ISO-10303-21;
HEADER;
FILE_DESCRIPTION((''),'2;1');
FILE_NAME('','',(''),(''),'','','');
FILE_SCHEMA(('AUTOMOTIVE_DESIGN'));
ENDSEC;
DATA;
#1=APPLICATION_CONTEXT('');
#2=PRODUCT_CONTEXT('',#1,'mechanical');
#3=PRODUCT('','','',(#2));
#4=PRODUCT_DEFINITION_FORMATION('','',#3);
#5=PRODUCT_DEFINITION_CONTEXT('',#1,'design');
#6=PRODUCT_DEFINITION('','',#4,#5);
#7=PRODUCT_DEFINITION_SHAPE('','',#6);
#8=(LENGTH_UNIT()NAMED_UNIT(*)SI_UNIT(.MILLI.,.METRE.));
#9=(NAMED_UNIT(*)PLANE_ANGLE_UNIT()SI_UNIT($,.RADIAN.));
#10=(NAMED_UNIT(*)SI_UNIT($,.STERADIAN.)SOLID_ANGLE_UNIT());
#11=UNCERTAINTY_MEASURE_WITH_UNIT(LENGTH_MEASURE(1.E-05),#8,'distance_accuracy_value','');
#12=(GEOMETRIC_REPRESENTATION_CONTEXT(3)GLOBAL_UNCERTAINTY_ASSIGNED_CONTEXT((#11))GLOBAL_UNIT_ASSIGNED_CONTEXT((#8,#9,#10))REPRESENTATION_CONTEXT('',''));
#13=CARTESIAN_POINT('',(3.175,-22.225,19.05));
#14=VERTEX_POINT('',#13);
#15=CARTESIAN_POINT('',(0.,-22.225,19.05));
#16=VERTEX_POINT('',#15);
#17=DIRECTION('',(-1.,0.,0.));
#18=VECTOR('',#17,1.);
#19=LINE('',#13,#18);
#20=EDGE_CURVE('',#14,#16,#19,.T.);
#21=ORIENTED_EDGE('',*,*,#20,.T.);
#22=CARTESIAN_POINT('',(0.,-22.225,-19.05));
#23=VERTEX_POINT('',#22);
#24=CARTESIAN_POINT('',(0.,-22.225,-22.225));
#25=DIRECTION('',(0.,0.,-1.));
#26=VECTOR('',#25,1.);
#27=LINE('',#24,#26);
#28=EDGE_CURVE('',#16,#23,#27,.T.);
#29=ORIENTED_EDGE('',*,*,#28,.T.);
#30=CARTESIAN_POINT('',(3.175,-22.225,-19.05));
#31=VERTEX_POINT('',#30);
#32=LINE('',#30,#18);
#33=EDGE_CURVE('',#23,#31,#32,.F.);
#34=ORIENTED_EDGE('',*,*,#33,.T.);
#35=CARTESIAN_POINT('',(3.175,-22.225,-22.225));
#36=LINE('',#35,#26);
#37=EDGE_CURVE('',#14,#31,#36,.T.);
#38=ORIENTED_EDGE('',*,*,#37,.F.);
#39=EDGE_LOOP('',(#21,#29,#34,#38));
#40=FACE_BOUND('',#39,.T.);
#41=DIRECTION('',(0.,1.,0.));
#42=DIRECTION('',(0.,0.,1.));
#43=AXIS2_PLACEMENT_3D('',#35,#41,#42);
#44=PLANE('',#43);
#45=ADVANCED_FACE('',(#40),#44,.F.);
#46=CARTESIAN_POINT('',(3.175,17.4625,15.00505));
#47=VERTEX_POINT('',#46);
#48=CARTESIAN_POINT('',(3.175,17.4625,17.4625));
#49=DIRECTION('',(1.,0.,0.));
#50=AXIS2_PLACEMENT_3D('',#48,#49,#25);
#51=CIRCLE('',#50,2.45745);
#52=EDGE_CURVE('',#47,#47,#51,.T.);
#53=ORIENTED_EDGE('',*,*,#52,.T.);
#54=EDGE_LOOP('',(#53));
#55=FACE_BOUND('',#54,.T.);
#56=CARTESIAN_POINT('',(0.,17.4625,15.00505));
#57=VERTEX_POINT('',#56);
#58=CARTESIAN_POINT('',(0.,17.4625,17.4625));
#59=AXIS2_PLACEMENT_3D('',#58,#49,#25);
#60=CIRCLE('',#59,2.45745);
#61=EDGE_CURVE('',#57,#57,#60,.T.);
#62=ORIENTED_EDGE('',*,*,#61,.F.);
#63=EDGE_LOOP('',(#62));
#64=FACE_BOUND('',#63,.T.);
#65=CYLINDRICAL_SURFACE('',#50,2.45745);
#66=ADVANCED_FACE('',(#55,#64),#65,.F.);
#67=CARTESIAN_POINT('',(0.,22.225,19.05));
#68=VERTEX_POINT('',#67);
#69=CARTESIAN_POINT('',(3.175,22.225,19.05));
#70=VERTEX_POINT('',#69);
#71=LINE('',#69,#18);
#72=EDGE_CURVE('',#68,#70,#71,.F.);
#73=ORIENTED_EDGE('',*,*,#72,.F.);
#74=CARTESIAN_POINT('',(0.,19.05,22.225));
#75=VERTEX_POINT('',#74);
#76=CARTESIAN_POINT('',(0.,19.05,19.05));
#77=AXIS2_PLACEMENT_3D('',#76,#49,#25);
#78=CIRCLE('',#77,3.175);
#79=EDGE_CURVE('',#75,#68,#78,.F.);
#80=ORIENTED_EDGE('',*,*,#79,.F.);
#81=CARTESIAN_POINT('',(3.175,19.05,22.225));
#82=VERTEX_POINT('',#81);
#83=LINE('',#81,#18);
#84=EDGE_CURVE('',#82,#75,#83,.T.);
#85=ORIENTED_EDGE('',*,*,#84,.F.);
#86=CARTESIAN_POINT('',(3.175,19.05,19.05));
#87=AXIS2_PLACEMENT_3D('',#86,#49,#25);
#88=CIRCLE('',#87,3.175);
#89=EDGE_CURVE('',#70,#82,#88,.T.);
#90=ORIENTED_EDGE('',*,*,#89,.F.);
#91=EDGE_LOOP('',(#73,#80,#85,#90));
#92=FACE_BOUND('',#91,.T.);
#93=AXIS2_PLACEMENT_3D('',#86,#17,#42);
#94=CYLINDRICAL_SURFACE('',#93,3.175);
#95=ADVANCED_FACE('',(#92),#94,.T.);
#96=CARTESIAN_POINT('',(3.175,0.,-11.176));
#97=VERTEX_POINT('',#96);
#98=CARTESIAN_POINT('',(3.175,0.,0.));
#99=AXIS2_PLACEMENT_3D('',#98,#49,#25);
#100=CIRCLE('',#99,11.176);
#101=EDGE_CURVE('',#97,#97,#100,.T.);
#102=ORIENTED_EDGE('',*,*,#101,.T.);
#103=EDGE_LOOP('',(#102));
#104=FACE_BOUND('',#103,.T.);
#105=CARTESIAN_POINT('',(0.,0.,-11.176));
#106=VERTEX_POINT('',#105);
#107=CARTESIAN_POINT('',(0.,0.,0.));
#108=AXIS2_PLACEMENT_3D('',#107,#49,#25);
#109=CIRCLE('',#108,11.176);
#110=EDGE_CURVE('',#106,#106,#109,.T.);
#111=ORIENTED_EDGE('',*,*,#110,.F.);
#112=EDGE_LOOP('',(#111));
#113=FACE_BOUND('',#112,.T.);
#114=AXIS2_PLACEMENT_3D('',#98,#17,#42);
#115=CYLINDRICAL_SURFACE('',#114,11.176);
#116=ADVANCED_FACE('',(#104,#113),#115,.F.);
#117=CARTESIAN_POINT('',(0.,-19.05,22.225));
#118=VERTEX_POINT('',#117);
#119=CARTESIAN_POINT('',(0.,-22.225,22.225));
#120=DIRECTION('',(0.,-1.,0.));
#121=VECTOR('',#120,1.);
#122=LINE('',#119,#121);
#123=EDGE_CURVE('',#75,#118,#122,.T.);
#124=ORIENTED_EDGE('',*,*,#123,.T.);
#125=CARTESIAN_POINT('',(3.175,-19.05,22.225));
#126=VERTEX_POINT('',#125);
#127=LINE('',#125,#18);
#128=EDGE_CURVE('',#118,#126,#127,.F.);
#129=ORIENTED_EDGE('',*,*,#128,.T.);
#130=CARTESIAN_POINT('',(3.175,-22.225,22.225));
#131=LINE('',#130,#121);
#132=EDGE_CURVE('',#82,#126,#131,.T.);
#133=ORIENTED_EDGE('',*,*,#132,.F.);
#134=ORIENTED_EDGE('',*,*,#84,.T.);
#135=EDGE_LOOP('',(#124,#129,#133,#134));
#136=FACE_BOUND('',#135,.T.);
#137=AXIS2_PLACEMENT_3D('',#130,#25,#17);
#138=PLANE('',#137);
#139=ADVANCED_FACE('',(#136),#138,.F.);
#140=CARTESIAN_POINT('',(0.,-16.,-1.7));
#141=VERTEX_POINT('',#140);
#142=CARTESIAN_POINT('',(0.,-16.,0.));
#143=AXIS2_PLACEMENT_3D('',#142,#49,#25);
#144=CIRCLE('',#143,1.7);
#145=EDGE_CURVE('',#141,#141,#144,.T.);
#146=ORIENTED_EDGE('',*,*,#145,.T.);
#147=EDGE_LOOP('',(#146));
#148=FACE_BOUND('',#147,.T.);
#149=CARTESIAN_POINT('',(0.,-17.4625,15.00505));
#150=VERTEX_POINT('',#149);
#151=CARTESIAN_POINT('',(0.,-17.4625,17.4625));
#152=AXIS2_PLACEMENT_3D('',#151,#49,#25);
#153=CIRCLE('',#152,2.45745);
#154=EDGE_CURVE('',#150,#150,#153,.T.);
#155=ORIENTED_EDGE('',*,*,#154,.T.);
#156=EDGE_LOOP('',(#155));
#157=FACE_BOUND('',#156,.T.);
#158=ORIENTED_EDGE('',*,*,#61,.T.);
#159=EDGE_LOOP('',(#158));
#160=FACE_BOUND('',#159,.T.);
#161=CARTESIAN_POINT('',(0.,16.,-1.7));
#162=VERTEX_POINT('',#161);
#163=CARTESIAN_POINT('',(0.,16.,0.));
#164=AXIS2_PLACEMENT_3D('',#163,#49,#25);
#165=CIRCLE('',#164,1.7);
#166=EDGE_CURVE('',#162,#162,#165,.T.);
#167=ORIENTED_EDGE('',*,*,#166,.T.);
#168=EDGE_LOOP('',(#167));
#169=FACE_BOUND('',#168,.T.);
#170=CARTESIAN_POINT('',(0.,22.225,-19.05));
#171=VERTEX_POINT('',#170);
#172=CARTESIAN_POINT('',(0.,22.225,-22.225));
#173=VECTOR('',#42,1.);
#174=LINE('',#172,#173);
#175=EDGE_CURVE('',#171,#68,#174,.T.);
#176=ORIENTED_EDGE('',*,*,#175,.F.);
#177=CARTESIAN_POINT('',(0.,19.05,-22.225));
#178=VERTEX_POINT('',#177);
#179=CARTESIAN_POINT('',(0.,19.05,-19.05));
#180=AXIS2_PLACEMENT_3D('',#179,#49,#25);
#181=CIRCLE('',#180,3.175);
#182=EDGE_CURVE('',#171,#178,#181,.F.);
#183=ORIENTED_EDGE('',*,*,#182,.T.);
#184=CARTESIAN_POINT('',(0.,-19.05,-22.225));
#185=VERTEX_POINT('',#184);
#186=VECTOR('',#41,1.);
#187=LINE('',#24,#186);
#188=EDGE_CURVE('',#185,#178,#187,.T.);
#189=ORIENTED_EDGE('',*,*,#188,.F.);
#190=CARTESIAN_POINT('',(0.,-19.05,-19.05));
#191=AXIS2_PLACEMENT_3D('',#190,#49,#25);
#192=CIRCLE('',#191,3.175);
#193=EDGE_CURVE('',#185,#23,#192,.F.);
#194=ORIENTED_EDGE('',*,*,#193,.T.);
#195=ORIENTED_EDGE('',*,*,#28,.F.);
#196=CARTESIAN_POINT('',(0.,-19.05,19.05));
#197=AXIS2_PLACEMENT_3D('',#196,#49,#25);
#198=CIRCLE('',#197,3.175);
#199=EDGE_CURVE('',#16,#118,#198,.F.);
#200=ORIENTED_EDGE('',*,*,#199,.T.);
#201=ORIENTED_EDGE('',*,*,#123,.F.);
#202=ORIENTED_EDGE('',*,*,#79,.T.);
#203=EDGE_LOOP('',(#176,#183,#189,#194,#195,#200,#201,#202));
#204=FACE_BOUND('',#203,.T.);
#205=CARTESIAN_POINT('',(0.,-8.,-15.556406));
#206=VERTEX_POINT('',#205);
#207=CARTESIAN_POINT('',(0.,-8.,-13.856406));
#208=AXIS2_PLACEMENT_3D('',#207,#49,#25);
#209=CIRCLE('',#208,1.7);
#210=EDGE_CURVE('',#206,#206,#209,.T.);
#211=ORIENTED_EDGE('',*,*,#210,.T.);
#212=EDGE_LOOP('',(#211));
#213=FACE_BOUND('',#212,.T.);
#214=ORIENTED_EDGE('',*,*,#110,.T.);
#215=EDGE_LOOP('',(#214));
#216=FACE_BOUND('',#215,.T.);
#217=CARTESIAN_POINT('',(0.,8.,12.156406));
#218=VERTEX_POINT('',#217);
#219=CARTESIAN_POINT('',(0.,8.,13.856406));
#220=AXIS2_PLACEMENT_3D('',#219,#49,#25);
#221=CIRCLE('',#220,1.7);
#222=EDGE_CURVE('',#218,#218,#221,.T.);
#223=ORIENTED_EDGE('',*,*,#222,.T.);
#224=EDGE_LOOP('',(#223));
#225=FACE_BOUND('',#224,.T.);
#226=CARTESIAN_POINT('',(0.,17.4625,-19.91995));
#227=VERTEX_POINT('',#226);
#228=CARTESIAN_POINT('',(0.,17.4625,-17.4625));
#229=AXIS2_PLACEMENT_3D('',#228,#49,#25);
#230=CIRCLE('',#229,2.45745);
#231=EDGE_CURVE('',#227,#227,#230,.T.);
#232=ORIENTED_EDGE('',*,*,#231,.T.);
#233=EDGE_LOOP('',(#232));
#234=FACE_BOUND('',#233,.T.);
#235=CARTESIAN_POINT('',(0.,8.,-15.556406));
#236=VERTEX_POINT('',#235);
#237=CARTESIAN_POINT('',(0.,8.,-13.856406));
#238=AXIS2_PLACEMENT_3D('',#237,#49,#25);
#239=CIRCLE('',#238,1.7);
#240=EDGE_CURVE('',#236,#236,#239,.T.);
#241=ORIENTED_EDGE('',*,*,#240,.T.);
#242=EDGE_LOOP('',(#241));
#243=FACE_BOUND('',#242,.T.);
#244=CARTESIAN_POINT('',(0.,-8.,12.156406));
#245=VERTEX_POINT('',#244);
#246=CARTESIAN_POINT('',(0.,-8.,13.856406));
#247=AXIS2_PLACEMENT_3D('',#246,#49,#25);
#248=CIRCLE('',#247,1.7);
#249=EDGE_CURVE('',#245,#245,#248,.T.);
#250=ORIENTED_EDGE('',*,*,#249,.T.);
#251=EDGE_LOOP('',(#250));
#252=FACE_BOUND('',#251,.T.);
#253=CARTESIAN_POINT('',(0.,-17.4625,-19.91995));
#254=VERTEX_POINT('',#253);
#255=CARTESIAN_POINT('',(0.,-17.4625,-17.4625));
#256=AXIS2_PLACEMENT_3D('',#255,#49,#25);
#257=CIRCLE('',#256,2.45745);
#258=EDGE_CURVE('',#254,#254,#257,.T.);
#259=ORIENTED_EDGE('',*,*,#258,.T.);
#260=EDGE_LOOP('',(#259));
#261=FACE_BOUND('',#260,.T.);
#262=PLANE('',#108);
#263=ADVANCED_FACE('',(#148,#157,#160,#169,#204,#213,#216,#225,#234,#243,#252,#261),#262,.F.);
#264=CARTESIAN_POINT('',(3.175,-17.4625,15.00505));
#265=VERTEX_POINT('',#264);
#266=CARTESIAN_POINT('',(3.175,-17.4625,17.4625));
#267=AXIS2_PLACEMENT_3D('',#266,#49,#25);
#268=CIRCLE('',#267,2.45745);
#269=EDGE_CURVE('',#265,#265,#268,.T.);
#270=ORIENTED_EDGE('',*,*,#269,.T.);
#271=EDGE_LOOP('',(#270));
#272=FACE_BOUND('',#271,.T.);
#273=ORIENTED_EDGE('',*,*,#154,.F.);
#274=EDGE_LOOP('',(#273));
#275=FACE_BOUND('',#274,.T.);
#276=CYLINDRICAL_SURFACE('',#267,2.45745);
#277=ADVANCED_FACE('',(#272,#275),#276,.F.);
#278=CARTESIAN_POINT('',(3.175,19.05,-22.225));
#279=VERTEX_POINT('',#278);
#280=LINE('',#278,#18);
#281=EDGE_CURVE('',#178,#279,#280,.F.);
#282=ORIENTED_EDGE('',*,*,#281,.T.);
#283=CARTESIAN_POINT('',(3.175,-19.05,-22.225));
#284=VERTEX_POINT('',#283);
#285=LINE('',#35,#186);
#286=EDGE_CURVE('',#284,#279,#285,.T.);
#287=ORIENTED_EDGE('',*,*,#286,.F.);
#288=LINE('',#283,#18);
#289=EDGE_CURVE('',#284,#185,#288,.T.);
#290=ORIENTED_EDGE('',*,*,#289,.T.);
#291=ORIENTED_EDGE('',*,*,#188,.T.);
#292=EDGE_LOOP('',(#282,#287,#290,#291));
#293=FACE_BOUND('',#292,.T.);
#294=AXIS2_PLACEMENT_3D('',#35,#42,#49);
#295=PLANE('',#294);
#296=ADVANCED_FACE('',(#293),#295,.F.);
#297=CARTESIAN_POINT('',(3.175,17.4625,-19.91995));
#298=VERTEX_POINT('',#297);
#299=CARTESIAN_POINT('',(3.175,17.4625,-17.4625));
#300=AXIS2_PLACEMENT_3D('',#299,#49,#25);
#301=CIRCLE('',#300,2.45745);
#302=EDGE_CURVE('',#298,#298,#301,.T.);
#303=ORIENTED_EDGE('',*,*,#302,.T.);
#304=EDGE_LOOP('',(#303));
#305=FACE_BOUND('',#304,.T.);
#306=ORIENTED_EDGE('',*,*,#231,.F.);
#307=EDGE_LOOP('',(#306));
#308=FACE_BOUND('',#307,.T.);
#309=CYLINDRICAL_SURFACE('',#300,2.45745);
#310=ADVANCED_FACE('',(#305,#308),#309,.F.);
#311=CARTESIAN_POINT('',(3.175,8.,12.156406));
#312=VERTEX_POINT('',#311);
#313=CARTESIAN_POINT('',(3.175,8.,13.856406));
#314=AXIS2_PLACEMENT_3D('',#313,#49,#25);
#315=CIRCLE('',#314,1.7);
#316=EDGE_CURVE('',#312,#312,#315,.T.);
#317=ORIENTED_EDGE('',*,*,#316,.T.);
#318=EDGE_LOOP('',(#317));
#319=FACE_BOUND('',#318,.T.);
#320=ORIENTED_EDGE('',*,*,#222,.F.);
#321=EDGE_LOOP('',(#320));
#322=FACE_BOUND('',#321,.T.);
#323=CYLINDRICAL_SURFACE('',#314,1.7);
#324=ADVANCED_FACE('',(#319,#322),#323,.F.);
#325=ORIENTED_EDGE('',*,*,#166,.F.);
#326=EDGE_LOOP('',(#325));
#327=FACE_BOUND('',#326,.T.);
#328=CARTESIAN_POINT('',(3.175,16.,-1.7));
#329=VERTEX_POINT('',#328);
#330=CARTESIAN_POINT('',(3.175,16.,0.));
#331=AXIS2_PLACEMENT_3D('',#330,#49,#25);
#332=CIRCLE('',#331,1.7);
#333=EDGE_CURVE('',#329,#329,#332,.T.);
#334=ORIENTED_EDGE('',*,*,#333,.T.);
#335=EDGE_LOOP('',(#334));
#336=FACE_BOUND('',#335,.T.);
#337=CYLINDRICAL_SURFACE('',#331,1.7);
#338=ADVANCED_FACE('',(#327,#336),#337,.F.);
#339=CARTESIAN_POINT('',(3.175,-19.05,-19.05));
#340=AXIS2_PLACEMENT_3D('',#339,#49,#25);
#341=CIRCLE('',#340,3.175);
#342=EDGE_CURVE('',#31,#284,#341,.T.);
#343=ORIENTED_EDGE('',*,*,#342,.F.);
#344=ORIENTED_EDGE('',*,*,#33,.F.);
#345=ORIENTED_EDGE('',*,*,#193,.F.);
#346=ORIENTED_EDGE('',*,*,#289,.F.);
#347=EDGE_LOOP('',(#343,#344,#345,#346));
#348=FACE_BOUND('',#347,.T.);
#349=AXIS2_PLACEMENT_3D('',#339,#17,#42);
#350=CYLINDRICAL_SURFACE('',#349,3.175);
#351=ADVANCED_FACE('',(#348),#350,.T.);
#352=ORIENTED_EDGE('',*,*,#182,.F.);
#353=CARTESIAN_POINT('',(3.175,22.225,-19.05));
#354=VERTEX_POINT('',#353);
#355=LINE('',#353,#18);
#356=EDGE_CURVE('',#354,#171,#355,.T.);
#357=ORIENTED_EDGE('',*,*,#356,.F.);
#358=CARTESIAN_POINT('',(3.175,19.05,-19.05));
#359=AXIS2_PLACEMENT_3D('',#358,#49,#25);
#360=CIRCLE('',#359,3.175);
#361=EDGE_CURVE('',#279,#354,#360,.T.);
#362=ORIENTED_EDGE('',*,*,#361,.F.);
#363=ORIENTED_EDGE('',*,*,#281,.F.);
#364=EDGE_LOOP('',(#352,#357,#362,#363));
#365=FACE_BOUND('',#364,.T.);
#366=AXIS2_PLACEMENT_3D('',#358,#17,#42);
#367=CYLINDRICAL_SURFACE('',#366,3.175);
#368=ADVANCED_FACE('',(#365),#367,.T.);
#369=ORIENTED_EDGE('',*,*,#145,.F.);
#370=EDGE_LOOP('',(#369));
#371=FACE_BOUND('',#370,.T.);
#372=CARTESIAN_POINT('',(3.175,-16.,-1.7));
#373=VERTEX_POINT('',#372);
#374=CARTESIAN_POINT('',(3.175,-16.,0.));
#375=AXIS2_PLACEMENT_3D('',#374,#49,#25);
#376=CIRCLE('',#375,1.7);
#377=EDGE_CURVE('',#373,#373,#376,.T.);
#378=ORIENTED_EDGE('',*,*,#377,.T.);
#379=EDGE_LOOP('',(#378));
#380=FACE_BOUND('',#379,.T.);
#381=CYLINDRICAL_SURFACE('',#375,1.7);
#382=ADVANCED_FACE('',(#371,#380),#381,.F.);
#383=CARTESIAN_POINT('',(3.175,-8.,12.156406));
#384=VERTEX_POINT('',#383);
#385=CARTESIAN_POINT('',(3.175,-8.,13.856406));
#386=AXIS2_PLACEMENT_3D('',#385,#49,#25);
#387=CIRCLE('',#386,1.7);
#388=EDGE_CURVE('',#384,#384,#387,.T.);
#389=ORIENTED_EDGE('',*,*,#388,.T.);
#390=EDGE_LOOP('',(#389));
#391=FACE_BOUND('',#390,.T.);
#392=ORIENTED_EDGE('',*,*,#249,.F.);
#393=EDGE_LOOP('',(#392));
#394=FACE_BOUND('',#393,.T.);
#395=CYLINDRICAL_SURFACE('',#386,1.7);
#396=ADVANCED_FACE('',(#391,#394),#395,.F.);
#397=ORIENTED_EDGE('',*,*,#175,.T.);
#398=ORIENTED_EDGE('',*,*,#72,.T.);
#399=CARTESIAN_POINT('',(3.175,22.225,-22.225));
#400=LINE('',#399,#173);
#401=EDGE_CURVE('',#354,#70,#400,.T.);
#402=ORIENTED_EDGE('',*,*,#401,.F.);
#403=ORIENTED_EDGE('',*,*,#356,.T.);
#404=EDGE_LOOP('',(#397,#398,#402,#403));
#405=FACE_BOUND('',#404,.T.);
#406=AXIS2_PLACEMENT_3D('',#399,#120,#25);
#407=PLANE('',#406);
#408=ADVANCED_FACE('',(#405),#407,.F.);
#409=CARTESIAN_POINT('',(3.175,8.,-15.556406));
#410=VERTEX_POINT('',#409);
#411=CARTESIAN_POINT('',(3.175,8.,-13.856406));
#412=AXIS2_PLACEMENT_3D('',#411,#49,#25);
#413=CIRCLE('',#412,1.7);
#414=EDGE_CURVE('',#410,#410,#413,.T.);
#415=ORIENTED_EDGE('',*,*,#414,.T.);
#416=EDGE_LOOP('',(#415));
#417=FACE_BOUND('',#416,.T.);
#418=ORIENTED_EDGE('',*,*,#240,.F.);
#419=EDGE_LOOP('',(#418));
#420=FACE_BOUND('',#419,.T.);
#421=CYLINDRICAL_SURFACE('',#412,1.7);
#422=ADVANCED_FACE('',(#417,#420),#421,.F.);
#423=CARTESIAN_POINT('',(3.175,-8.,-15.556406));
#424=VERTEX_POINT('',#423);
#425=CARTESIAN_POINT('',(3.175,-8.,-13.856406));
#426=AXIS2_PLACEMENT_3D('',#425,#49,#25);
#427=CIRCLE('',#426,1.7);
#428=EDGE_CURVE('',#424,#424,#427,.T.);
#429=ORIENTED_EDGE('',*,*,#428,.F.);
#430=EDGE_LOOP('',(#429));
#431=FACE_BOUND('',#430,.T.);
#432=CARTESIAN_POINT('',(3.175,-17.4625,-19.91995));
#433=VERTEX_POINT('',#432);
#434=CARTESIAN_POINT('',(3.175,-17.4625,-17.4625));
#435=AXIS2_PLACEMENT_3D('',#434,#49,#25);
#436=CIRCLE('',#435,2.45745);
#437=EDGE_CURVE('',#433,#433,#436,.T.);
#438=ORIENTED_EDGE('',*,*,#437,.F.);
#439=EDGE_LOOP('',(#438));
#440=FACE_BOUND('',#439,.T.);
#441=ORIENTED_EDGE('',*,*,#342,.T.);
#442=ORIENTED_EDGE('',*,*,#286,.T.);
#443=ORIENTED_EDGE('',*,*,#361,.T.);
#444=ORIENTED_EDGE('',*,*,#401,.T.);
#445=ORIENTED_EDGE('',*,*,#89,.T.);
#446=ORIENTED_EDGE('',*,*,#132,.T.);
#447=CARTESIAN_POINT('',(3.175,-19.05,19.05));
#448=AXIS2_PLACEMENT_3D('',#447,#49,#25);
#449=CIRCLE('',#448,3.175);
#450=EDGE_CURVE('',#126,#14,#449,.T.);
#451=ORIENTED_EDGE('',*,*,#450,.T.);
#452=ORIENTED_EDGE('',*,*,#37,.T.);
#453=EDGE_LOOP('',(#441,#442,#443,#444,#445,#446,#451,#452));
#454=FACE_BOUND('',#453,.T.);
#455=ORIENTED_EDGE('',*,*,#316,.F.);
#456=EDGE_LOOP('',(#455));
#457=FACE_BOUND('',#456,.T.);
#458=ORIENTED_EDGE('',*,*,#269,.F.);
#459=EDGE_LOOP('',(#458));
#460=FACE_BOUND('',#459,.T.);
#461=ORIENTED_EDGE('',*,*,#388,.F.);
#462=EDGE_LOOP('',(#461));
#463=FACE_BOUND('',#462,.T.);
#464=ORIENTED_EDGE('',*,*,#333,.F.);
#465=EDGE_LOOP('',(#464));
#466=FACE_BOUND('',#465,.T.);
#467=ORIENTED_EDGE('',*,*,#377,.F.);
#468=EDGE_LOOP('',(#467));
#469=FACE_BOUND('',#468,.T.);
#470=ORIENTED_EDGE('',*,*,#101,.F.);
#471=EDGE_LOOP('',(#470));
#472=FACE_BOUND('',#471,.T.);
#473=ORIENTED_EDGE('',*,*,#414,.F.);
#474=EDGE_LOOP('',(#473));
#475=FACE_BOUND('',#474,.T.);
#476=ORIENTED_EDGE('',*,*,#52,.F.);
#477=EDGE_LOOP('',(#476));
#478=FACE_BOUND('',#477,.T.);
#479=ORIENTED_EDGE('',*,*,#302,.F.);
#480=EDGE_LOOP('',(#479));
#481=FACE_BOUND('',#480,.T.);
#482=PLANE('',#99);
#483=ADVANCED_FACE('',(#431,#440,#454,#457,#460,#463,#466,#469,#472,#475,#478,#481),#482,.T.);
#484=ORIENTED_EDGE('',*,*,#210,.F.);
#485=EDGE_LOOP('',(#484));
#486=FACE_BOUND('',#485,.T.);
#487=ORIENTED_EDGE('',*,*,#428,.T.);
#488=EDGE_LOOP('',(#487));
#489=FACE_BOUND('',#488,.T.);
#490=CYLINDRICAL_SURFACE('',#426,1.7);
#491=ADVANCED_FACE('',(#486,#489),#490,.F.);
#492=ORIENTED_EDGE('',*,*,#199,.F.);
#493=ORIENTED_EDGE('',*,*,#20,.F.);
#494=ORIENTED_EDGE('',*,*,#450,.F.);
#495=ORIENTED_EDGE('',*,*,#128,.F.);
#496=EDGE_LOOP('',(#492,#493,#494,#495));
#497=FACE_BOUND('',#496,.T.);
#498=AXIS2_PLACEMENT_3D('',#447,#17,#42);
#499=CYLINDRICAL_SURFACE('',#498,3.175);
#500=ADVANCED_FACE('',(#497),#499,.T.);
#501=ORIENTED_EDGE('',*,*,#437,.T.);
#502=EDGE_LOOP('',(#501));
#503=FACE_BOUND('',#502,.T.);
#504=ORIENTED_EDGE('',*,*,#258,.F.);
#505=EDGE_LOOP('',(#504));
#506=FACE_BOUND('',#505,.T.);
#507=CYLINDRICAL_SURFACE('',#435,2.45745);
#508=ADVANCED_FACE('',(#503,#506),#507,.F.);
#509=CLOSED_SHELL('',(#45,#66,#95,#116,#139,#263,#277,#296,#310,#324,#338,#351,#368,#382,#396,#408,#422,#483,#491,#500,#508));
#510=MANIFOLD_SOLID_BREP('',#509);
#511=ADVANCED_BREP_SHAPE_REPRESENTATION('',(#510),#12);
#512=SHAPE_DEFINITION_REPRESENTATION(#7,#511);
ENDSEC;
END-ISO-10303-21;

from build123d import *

# Parameters (mm, degrees)
SKETCH1_W                        = 44.45
SKETCH1_H                        = 44.45
SKETCH1_R                        = 11.176
BOSS_EXTRUDE1_DEPTH              = 3.175
F_10_0_1935_DIAMETER_HOLE1_D     = 4.9149
F_10_0_1935_DIAMETER_HOLE1_DEPTH = 3.175
M3_CLEARANCE_HOLE1_D             = 3.4
M3_CLEARANCE_HOLE1_DEPTH         = 3.175
FILLET1_R                        = 3.175


with BuildPart() as part:
    # Sketch1 → Boss-Extrude1 (new body)
    with BuildSketch(Plane(origin=(0, 0, 0), x_dir=(0, 0, -1), z_dir=(1, 0, 0))):
        Rectangle(SKETCH1_W, SKETCH1_H)
        Circle(SKETCH1_R, mode=Mode.SUBTRACT)
    extrude(amount=BOSS_EXTRUDE1_DEPTH)

    # #10 (0.1935) Diameter Hole1
    with Locations(Plane(origin=(3.175, 0, 0), x_dir=(0, 0, -1), z_dir=(1, 0, 0))):
        with Locations((-17.4625, 17.4625), (17.4625, 17.4625), (17.4625, -17.4625), (-17.4625, -17.4625)):
            Hole(F_10_0_1935_DIAMETER_HOLE1_D / 2, depth=F_10_0_1935_DIAMETER_HOLE1_DEPTH)

    # M3 Clearance Hole1
    with Locations(Plane(origin=(3.175, 0, 0), x_dir=(0, 0, -1), z_dir=(1, 0, 0))):
        with Locations((-13.856406461, 8), (0, 16), (13.856406461, 8), (13.856406461, -8), (0, -16), (-13.856406461, -8)):
            Hole(M3_CLEARANCE_HOLE1_D / 2, depth=M3_CLEARANCE_HOLE1_DEPTH)

    # Fillet1
    fillet1_edges = [part.edges().sort_by_distance(p)[0] for p in [
        (1.5875, 22.225, 22.225),
        (1.5875, 22.225, -22.225),
        (1.5875, -22.225, -22.225),
        (1.5875, -22.225, 22.225),
    ]]
    fillet(fillet1_edges, radius=FILLET1_R)


solid = part.part
